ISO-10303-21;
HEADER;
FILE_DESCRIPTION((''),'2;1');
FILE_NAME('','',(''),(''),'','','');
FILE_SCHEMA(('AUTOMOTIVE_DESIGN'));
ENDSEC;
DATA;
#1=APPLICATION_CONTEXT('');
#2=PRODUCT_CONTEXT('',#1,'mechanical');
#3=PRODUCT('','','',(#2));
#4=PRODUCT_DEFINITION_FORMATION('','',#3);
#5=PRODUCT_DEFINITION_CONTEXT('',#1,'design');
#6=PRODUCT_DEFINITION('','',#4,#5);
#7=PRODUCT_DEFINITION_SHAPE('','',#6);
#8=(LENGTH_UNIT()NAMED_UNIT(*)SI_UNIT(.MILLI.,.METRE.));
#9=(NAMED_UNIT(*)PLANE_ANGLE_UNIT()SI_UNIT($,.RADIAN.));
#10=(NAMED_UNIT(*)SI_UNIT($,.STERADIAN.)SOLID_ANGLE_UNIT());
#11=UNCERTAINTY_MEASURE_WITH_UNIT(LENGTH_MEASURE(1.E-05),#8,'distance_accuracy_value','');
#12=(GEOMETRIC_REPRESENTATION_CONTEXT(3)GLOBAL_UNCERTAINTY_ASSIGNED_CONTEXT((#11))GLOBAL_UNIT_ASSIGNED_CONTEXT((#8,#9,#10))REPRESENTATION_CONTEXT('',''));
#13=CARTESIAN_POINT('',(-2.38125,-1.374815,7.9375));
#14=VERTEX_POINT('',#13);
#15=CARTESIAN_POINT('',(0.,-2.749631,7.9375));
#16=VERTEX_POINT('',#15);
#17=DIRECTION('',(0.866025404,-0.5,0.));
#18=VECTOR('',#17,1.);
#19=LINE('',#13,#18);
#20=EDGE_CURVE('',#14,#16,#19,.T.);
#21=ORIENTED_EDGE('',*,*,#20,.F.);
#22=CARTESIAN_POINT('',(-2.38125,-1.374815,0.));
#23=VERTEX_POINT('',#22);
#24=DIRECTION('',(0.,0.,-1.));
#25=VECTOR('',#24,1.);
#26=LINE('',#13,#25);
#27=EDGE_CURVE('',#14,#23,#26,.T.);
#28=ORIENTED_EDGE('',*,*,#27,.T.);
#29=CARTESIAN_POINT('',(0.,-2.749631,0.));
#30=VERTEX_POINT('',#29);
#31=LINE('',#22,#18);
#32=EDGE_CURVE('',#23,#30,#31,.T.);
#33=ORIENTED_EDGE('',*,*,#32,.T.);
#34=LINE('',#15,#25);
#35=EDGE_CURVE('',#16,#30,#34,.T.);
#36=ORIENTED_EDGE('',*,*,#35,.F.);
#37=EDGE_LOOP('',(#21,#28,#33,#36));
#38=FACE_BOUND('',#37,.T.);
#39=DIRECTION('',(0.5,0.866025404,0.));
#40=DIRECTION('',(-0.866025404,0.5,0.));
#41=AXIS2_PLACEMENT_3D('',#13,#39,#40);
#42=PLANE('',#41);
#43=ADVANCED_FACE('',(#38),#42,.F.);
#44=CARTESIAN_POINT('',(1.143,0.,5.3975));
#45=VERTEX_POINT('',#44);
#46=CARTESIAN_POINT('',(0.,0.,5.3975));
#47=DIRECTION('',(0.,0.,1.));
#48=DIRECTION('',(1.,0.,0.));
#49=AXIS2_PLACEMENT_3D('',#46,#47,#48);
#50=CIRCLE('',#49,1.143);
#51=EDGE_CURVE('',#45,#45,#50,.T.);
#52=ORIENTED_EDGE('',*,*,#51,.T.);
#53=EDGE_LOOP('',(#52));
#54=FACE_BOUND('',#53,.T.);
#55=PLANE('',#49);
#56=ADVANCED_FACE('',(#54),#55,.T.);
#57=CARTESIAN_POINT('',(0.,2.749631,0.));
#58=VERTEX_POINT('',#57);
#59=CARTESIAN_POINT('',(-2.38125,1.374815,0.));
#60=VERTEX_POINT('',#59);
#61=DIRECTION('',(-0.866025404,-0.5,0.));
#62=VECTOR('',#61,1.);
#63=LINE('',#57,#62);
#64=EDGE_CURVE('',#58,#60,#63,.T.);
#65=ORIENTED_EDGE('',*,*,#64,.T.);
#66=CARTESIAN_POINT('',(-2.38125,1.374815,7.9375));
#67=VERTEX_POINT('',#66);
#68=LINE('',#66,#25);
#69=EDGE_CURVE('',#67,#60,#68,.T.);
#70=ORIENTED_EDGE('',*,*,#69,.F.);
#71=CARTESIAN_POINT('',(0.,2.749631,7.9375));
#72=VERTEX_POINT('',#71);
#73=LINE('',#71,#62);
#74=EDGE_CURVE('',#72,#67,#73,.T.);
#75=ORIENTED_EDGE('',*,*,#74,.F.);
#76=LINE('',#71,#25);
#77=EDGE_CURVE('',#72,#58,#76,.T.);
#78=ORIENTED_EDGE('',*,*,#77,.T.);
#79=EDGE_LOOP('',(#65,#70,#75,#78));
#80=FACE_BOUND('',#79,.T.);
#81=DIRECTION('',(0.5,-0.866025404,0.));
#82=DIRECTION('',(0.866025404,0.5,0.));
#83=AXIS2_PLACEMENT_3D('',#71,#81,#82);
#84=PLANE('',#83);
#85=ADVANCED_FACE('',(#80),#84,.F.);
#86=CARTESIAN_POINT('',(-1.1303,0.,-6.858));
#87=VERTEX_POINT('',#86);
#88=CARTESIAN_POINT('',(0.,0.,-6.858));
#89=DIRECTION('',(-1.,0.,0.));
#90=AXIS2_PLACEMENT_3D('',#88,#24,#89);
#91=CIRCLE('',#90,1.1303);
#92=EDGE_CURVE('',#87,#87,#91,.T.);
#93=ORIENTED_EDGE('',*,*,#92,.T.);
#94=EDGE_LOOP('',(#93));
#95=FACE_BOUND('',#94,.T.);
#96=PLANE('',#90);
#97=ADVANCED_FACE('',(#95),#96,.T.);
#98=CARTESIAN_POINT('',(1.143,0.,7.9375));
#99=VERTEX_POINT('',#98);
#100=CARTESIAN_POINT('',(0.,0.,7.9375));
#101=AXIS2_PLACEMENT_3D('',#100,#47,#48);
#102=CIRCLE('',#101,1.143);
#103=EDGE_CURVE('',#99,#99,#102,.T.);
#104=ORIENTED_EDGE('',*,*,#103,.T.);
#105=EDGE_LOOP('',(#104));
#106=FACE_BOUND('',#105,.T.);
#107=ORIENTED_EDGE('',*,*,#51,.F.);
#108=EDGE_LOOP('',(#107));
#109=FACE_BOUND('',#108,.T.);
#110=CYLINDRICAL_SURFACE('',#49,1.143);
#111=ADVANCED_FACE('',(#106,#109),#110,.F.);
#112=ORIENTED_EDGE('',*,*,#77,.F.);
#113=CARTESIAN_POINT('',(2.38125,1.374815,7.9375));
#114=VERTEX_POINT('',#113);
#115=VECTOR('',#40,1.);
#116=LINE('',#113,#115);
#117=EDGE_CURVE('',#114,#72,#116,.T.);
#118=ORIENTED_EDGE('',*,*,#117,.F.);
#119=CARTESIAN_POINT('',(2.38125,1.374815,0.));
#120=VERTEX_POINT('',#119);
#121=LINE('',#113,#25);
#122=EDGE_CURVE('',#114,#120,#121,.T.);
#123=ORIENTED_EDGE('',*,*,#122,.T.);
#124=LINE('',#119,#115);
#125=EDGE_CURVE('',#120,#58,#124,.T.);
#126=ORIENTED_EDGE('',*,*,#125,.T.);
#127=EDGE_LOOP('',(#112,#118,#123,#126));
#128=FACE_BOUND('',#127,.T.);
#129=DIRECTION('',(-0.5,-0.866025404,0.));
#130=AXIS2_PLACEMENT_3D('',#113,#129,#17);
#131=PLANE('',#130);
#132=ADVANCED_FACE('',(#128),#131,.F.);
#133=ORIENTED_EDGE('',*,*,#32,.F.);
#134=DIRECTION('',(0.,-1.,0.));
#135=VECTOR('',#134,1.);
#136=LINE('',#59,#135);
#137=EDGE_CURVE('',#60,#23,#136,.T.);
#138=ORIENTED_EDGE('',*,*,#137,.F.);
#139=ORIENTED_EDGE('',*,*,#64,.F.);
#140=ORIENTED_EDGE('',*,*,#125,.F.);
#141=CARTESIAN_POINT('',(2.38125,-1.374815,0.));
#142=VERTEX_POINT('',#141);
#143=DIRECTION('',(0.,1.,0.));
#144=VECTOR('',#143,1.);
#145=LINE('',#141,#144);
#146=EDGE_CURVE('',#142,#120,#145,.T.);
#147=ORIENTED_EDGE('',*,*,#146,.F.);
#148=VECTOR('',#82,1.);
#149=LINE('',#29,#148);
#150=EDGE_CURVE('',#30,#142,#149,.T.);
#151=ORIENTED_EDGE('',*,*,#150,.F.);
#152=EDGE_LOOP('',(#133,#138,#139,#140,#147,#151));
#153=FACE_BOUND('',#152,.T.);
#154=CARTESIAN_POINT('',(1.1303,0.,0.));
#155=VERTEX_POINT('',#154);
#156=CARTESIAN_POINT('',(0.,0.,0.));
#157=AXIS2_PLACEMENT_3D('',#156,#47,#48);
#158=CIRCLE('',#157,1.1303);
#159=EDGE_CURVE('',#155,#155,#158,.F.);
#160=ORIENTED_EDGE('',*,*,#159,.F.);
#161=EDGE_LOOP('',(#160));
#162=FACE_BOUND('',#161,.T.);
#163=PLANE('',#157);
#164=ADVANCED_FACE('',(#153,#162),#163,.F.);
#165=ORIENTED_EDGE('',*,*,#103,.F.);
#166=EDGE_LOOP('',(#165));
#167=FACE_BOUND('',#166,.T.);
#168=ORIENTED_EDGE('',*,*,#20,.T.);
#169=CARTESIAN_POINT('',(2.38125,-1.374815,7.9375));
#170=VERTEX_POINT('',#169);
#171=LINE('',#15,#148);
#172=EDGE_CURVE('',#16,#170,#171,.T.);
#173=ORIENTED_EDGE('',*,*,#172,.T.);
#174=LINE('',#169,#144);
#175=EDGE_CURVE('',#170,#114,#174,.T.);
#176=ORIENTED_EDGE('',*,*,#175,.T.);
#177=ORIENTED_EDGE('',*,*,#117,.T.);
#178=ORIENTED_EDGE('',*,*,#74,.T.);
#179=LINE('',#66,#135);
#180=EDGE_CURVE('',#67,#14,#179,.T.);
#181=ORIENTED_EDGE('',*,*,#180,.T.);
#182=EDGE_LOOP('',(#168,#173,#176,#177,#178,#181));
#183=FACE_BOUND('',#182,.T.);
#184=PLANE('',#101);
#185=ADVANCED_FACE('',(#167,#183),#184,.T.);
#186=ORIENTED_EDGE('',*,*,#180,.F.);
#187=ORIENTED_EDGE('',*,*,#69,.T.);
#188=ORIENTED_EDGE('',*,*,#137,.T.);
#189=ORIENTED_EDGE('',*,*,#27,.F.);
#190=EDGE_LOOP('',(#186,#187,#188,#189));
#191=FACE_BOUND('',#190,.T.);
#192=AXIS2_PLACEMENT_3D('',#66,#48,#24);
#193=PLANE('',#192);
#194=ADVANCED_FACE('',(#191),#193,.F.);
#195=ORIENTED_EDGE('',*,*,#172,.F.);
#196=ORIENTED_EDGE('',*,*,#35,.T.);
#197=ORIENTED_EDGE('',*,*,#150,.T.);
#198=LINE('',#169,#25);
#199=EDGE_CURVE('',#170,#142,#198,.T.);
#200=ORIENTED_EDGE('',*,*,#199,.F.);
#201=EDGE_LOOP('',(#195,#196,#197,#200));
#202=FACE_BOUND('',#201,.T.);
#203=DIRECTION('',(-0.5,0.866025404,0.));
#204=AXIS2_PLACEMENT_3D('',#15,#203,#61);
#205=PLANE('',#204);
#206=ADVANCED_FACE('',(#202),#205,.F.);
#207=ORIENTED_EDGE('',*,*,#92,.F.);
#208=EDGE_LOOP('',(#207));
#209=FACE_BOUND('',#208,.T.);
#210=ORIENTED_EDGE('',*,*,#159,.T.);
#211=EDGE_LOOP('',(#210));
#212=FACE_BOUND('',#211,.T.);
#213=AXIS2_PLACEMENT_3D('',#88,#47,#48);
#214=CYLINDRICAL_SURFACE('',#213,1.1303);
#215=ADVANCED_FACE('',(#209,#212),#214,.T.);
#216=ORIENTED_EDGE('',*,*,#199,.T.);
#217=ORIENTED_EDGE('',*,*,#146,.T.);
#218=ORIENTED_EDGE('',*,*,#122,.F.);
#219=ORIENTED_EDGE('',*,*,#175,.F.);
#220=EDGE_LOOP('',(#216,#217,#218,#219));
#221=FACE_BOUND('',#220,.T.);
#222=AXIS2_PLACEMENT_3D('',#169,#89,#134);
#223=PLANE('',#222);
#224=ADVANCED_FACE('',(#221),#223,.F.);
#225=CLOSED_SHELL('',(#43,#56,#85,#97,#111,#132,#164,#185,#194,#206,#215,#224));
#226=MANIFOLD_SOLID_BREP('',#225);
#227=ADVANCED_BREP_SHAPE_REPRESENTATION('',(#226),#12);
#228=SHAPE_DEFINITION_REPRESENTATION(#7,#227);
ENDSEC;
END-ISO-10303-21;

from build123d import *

# Parameters (mm, degrees)
BOSS_EXTRUDE1_DEPTH = 7.9375
SKETCH2_R           = 1.1303
BOSS_EXTRUDE2_DEPTH = 6.858
SKETCH3_R           = 1.143
CUT_EXTRUDE1_DEPTH  = 2.54


with BuildPart() as part:
    # Sketch1 → Boss-Extrude1 (new body)
    with BuildSketch(Plane.XY):
        Polygon((0, 2.749630657), (-2.38125, 1.374815329), (-2.38125, -1.374815329), (0, -2.749630657), (2.38125, -1.374815329), (2.38125, 1.374815329), align=None)
    extrude(amount=BOSS_EXTRUDE1_DEPTH)

    # Sketch2 → Boss-Extrude2 (add)
    with BuildSketch(Plane(origin=(0, 0, 0), x_dir=(-1, 0, 0), z_dir=(0, 0, -1))):
        with Locations(Location((0, 0, 0), (0, 0, 180))):
            Circle(SKETCH2_R)
    extrude(amount=BOSS_EXTRUDE2_DEPTH)

    # Sketch3 → Cut-Extrude1 (cut)
    with BuildSketch(Plane.XY.offset(7.9375)):
        Circle(SKETCH3_R)
    extrude(amount=-CUT_EXTRUDE1_DEPTH, mode=Mode.SUBTRACT)


solid = part.part
